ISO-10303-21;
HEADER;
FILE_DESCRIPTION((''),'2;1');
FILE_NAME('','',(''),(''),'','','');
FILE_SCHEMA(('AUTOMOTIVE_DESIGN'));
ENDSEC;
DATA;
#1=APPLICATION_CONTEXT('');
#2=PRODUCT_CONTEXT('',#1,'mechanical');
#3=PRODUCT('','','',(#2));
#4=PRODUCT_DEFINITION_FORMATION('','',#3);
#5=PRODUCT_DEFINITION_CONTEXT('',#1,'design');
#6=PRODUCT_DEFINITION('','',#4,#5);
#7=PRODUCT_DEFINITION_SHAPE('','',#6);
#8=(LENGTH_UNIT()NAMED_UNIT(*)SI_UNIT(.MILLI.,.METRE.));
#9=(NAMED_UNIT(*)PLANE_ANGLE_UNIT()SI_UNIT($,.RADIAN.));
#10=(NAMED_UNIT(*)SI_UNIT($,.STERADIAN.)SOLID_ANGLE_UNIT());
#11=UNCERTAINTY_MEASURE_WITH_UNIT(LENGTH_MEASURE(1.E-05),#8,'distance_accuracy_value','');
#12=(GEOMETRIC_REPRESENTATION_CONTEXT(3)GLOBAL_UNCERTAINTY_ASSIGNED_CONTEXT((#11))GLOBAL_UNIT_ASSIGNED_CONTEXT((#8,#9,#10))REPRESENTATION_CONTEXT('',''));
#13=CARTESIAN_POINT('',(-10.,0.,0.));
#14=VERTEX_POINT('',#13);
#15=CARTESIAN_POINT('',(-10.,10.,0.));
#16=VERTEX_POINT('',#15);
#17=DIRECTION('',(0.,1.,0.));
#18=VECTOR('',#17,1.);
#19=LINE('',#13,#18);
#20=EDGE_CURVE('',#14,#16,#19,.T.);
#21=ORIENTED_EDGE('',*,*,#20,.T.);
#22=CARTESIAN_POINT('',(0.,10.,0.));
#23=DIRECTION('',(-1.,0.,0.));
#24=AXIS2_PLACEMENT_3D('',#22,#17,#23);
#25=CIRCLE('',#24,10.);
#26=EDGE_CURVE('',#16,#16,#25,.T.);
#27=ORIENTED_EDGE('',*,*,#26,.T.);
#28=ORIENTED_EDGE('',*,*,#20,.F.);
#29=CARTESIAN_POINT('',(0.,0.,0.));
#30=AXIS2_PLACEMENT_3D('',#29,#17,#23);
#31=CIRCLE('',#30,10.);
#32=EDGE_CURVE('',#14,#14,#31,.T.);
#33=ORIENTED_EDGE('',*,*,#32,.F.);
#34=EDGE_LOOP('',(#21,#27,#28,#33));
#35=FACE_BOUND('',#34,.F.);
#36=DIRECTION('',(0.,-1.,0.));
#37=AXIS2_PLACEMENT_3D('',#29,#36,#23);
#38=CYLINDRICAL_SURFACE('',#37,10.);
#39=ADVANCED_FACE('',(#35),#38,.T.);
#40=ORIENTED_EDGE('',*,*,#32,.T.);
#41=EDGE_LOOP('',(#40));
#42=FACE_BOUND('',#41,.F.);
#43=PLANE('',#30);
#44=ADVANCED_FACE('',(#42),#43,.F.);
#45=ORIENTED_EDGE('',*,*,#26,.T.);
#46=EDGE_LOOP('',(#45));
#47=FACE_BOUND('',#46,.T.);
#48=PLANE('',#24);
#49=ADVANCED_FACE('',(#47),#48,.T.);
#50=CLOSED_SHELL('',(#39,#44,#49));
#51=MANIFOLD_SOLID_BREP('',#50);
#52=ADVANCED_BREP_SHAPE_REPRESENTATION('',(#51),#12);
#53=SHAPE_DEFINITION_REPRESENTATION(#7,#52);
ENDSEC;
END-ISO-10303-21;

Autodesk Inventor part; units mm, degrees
ref_plane "YZ Plane" through (0, 0, 0) normal (1, 0, 0) x (0, 1, 0)
ref_plane "XZ Plane" through (0, 0, 0) normal (0, 1, 0) x (-1, 0, 0)
ref_plane "XY Plane" through (0, 0, 0) normal (0, 0, 1) x (1, 0, 0)
sketch "Sketch1" plane through (0, 0, 0) normal (0, 1, 0) x (-1, 0, 0)
  circle A0 centre (0, 0) radius 10
  dimension "d0" = 20
extrude "Extrusion1" add sketch "Sketch1" along normal blind 10
sketch "Sketch2" plane through (0, 10, 0) normal (0, 1, 0) x (1, 0, 0)
  line L0 (0, 0) -> (-9.4915, 0)
  arc A0 (-6.1284, 5.1423) -> (-8, 0) centre (0, 0) ccw
  arc A1 (-3.8302, 3.2139) -> (-5, 0) centre (0, 0) ccw
  line L1 (0, 0) -> (-3.8302, 3.2139)
  line L2 (-6.1284, 5.1423) -> (-3.8302, 3.2139)
  dimension "d3" = 40
  dimension "d4" = 5
  dimension "d5" = 8
properties part number "Flywheel Bracket"
